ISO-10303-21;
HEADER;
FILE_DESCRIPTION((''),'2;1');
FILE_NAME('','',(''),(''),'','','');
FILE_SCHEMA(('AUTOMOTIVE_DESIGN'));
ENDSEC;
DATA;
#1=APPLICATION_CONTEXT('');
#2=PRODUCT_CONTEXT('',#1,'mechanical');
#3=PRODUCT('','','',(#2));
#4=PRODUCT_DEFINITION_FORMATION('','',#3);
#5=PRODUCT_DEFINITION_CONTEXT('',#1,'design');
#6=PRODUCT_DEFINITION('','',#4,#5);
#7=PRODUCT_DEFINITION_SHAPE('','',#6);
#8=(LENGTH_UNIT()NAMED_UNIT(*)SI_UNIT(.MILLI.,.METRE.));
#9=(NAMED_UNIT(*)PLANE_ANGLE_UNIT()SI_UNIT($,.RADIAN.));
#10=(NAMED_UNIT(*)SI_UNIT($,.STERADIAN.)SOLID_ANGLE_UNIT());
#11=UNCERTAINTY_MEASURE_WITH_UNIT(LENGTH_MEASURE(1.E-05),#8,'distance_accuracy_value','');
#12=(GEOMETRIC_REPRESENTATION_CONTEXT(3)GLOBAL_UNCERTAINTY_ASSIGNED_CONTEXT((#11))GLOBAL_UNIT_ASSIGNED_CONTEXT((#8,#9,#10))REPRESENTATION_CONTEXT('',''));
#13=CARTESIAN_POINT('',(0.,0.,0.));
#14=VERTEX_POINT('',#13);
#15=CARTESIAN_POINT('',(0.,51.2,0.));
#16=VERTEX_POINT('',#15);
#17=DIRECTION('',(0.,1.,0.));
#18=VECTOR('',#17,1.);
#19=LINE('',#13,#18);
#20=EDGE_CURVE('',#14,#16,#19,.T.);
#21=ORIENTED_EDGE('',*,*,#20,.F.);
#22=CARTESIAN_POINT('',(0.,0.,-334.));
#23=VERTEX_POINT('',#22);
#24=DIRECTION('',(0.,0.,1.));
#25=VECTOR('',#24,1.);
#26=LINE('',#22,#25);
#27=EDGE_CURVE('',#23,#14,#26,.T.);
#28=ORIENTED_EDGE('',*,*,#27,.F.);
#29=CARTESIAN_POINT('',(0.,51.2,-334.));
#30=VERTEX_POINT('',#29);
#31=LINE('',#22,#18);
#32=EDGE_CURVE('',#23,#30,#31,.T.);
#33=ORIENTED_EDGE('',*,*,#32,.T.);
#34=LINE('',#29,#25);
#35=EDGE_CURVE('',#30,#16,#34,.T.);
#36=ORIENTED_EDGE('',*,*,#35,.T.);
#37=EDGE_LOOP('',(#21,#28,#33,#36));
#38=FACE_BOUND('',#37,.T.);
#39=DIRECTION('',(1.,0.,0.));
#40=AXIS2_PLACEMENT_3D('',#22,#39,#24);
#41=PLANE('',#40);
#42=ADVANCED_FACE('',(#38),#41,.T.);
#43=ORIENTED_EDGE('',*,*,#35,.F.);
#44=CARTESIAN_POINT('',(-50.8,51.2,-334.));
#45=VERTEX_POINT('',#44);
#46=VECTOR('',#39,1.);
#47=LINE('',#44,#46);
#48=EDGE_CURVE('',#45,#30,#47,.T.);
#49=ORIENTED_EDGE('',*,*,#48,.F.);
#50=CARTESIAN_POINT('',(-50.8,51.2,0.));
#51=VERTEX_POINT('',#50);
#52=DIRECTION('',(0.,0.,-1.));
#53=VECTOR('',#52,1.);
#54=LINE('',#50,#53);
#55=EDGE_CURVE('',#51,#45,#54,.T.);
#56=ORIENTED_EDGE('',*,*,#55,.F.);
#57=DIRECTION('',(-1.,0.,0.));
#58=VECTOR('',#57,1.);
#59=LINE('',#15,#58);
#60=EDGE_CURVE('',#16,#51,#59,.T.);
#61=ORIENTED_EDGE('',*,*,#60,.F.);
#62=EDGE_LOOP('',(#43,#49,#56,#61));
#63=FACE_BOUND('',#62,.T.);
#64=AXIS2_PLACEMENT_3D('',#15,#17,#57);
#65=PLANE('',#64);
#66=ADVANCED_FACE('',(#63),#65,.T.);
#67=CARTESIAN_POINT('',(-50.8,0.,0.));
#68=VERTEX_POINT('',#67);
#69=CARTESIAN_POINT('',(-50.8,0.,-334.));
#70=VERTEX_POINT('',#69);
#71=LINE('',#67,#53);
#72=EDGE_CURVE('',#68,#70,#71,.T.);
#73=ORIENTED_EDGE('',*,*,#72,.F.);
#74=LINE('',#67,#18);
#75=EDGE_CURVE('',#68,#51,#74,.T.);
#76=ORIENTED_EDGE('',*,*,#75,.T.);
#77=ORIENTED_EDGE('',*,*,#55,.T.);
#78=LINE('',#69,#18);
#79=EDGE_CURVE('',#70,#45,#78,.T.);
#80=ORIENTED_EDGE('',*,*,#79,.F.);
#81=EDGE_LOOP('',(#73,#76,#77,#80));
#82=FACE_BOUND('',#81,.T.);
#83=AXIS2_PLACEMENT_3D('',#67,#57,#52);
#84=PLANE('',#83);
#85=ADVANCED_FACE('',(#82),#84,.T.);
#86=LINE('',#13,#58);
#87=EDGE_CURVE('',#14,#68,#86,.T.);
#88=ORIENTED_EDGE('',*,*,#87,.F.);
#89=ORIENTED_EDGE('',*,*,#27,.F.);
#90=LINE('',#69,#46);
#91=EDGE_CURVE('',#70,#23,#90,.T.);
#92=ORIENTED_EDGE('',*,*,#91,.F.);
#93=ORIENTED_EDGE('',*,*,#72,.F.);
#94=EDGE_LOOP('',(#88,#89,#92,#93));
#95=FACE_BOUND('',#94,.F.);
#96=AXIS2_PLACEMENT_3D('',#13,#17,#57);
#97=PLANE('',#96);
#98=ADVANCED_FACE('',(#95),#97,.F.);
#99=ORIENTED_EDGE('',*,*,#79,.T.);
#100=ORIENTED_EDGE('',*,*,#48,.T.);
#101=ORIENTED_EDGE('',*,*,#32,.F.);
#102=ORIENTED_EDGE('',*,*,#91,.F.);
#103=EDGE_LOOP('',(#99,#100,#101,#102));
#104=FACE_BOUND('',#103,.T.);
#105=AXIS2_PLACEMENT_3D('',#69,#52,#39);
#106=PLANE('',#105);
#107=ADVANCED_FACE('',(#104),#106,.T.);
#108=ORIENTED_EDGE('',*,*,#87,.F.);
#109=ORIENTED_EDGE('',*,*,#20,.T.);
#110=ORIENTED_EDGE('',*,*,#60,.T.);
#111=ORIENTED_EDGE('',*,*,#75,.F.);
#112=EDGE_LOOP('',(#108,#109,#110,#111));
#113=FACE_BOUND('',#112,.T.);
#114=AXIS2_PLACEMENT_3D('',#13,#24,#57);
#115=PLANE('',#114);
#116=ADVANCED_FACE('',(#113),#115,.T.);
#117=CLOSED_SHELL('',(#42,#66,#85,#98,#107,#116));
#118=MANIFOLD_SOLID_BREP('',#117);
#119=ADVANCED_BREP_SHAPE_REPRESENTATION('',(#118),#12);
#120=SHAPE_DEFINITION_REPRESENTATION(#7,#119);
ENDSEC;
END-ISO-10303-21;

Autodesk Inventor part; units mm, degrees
ref_plane "YZ Plane" through (0, 0, 0) normal (1, 0, 0) x (0, 1, 0)
ref_plane "XZ Plane" through (0, 0, 0) normal (0, 1, 0) x (-1, 0, 0)
ref_plane "XY Plane" through (0, 0, 0) normal (0, 0, 1) x (1, 0, 0)
sketch "Sketch1" plane through (0, 0, 0) normal (0, 1, 0) x (-1, 0, 0)
  line L0 (0, 0) -> (50.8, 0)
  line L1 (50.8, 0) -> (50.8, -334)
  line L2 (50.8, -334) -> (0, -334)
  line L3 (0, -334) -> (0, 0)
  dimension "d0" = 50.8
  dimension "d1" = 334
extrude "Extrusion1" add sketch "Sketch1" along normal blind 51.2
properties part number "PiezaPuerta-1"
